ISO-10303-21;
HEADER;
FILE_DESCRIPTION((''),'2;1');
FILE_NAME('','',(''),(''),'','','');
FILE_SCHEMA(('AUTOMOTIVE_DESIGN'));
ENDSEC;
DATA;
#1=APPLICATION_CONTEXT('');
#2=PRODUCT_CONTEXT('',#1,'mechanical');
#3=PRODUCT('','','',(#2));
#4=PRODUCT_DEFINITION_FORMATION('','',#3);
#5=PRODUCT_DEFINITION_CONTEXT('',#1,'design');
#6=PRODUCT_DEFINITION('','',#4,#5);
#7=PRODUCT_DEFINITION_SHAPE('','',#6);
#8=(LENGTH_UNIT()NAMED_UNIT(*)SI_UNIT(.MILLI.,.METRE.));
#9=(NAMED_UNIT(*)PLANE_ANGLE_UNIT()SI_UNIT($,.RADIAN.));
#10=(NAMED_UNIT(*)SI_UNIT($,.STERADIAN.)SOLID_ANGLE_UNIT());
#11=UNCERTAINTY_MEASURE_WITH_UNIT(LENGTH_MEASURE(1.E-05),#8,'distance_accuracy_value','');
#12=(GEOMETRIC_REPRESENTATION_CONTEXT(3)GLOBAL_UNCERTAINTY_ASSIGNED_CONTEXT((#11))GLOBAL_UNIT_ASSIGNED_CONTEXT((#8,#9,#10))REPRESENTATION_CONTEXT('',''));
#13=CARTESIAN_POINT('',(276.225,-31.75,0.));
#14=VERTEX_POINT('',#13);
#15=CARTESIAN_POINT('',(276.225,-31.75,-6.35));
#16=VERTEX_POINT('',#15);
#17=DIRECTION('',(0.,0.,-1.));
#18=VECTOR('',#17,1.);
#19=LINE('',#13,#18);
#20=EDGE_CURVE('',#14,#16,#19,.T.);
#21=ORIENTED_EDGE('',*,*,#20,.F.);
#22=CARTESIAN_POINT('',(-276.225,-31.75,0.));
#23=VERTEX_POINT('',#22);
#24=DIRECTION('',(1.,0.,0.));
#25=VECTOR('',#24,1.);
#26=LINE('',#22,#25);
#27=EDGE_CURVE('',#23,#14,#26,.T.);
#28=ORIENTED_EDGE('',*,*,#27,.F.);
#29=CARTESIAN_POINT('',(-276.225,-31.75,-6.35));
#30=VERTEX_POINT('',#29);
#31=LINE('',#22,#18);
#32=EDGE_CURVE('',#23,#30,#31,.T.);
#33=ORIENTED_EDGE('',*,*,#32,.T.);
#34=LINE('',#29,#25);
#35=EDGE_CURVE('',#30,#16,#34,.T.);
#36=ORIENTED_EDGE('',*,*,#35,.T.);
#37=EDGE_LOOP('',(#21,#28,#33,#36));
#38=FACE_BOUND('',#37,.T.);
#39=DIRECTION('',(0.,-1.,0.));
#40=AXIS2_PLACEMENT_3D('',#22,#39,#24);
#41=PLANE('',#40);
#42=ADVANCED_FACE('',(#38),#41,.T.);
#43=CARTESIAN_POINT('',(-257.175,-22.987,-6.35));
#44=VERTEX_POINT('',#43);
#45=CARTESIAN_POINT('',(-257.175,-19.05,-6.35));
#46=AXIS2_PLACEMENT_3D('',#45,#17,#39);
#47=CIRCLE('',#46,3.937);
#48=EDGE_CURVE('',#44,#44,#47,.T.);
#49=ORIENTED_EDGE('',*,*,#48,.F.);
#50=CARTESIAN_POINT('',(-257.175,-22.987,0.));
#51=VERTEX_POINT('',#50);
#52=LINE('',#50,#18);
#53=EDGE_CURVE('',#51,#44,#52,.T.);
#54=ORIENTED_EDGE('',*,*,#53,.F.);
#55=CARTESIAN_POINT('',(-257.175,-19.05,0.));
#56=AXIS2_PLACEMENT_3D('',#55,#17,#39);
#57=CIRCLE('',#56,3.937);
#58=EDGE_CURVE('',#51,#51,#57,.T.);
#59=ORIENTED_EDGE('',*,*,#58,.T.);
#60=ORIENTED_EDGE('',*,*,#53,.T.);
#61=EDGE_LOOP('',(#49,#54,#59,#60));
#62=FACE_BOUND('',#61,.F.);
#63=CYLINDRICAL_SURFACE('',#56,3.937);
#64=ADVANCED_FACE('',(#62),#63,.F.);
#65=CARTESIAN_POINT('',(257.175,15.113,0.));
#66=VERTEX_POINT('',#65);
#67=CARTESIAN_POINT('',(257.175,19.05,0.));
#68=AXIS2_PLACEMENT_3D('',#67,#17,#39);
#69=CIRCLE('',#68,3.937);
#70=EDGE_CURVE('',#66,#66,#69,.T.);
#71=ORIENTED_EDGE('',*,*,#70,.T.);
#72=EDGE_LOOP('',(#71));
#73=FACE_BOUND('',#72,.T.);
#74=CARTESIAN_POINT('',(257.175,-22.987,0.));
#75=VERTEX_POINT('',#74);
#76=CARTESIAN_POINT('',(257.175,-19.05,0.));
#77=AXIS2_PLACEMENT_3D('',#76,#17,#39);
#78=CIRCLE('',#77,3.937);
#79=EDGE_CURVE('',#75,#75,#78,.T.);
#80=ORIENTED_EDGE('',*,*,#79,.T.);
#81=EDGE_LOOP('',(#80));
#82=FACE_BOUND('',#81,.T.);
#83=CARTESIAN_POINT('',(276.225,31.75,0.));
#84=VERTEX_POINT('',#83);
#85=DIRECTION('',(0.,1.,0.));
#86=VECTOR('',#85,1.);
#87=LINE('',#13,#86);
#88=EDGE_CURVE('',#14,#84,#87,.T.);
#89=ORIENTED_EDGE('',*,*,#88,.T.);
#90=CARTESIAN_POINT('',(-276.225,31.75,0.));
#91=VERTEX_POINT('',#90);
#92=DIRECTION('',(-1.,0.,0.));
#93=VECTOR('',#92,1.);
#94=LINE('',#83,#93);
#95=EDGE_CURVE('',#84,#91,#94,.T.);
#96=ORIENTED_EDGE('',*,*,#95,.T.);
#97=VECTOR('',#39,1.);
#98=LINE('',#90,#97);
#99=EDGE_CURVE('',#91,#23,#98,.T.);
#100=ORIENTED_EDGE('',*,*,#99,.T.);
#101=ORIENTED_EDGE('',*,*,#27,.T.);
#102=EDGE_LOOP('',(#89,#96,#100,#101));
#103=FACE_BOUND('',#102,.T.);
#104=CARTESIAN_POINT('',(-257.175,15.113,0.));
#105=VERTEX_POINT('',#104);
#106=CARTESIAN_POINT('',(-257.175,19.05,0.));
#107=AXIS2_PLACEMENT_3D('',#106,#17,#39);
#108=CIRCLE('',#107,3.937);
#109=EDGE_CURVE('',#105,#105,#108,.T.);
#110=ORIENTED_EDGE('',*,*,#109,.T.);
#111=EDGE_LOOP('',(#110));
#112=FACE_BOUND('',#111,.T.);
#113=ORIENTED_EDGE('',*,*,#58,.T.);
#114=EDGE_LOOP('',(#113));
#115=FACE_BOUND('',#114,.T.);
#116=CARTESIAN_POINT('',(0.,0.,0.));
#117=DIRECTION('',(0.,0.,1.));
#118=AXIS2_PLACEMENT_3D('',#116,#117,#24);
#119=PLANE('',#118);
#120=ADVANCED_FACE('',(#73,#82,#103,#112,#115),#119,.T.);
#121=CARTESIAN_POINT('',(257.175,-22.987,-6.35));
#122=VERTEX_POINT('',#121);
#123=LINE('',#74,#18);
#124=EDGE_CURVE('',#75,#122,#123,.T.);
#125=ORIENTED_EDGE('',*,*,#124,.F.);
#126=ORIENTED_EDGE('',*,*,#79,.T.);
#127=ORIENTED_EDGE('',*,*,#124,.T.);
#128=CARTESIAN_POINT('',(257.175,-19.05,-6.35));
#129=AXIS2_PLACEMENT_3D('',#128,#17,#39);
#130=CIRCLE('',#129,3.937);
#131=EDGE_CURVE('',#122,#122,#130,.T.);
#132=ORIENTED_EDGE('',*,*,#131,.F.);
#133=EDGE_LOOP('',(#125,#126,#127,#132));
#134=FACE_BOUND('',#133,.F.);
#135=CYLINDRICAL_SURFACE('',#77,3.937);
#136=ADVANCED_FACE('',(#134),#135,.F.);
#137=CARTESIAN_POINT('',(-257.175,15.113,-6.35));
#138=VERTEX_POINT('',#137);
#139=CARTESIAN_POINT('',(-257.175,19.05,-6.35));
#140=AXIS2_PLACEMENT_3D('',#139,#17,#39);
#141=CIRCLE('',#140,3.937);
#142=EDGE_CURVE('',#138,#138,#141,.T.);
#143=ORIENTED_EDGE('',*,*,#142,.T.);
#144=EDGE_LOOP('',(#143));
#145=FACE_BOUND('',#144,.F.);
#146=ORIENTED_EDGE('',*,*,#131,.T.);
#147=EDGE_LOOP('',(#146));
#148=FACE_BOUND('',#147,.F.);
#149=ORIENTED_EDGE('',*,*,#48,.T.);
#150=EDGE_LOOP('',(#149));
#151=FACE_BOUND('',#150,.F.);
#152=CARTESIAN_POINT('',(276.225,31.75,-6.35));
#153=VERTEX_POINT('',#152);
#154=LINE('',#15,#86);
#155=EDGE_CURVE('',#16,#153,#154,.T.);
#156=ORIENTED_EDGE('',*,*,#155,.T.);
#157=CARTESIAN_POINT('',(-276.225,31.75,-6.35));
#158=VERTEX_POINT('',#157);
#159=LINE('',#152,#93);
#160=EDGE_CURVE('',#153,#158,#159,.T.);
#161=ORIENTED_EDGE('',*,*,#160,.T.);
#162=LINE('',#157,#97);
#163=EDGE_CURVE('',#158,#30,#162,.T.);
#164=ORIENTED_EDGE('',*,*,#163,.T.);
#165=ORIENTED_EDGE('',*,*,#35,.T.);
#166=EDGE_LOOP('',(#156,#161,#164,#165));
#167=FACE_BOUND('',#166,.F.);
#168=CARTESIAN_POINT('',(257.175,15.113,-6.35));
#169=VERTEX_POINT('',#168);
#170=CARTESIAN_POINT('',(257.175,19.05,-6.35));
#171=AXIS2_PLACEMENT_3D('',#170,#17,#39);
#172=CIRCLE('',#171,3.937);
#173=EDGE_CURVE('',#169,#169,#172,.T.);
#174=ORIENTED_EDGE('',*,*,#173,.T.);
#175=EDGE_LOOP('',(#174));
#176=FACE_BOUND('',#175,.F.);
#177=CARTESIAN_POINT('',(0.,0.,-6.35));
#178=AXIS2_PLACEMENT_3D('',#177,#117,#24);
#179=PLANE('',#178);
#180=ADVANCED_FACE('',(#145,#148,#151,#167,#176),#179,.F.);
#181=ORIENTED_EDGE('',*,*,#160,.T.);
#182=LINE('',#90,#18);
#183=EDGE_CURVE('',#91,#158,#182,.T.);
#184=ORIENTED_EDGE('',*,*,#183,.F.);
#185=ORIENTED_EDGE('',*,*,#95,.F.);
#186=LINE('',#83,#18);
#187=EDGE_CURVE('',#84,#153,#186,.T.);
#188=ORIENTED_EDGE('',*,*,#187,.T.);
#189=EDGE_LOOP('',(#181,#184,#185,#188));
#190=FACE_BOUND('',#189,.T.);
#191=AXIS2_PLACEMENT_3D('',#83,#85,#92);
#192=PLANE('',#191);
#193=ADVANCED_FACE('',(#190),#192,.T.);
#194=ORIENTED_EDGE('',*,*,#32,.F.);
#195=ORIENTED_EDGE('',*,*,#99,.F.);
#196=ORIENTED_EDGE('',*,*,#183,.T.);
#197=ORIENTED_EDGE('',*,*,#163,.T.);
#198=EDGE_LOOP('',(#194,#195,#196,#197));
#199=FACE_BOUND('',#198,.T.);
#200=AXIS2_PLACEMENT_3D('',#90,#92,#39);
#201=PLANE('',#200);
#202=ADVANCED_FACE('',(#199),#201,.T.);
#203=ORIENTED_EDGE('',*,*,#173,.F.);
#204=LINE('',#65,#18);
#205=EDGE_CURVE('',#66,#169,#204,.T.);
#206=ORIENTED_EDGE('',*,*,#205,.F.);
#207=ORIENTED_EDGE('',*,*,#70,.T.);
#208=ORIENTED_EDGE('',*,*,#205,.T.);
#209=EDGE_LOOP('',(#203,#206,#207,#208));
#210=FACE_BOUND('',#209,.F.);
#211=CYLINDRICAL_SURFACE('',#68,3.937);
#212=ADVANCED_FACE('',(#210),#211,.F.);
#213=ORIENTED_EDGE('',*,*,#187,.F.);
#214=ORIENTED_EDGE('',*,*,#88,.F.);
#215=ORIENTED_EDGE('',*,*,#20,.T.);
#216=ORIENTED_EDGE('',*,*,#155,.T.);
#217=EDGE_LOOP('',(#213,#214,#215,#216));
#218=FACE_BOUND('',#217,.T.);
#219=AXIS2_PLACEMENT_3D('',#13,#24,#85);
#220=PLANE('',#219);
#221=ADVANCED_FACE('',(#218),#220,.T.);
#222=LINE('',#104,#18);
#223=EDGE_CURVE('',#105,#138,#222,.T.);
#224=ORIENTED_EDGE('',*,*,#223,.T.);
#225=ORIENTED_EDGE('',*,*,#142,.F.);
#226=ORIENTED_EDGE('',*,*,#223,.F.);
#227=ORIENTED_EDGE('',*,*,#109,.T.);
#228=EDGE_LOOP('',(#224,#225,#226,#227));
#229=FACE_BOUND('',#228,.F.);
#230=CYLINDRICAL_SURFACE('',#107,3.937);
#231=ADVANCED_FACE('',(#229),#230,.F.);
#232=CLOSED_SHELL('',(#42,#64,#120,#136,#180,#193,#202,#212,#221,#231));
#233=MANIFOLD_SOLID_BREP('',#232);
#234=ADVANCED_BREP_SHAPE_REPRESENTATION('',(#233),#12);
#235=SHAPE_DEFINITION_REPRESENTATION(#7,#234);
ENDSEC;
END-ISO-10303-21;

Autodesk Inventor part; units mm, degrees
ref_plane "YZ Plane" through (0, 0, 0) normal (1, 0, 0) x (0, 1, 0)
ref_plane "XZ Plane" through (0, 0, 0) normal (0, 1, 0) x (-1, 0, 0)
ref_plane "XY Plane" through (0, 0, 0) normal (0, 0, 1) x (1, 0, 0)
sketch "Sketch1" plane through (0, 0, 0) normal (0, 0, 1) x (1, 0, 0)
  line L0 (-276.225, -31.75) -> (276.225, -31.75)
  line L1 (276.225, -31.75) -> (276.225, 31.75)
  line L2 (276.225, 31.75) -> (-276.225, 31.75)
  line L3 (-276.225, 31.75) -> (-276.225, -31.75)
  line L4 (-276.225, -31.75) -> (276.225, 31.75) construction
  line L5 (276.225, -31.75) -> (-276.225, 31.75) construction
  point P0 (0, 0)
  dimension "d0" = 552.45
  dimension "d1" = 63.5
extrude "Extrusion1" add sketch "Sketch1" against normal blind 6.35
sketch "Sketch2" plane through (0, 0, 0) normal (0, 0, 1) x (1, 0, 0)
  line L0 (276.225, 31.75) -> (-276.225, 31.75) projected
  line L1 (-276.225, 31.75) -> (-276.225, -31.75) projected
  point P0 (0, 0)
  point P1 (-257.175, 19.05)
  point P2 (-257.175, -19.05)
  point P3 (257.175, 19.05)
  point P4 (257.175, -19.05)
  dimension "d4" = 19.05
  dimension "d5" = 12.7
  dimension "d6" = 50.8
  dimension "d8" = 533.4
hole "Hole1" at (-257.175, 19.05, 0) at (-257.175, -19.05, 0) at (257.175, 19.05, 0) at (257.175, -19.05, 0) direction (0, 0, -1) diameter 7.874 end through all
ref_plane "Work Plane1" through (0, 31.75, 0) normal (-1, 0, 0) x (0, -1, 0)
properties part number "GE-13041" material "Polycarbonate, Clear"
